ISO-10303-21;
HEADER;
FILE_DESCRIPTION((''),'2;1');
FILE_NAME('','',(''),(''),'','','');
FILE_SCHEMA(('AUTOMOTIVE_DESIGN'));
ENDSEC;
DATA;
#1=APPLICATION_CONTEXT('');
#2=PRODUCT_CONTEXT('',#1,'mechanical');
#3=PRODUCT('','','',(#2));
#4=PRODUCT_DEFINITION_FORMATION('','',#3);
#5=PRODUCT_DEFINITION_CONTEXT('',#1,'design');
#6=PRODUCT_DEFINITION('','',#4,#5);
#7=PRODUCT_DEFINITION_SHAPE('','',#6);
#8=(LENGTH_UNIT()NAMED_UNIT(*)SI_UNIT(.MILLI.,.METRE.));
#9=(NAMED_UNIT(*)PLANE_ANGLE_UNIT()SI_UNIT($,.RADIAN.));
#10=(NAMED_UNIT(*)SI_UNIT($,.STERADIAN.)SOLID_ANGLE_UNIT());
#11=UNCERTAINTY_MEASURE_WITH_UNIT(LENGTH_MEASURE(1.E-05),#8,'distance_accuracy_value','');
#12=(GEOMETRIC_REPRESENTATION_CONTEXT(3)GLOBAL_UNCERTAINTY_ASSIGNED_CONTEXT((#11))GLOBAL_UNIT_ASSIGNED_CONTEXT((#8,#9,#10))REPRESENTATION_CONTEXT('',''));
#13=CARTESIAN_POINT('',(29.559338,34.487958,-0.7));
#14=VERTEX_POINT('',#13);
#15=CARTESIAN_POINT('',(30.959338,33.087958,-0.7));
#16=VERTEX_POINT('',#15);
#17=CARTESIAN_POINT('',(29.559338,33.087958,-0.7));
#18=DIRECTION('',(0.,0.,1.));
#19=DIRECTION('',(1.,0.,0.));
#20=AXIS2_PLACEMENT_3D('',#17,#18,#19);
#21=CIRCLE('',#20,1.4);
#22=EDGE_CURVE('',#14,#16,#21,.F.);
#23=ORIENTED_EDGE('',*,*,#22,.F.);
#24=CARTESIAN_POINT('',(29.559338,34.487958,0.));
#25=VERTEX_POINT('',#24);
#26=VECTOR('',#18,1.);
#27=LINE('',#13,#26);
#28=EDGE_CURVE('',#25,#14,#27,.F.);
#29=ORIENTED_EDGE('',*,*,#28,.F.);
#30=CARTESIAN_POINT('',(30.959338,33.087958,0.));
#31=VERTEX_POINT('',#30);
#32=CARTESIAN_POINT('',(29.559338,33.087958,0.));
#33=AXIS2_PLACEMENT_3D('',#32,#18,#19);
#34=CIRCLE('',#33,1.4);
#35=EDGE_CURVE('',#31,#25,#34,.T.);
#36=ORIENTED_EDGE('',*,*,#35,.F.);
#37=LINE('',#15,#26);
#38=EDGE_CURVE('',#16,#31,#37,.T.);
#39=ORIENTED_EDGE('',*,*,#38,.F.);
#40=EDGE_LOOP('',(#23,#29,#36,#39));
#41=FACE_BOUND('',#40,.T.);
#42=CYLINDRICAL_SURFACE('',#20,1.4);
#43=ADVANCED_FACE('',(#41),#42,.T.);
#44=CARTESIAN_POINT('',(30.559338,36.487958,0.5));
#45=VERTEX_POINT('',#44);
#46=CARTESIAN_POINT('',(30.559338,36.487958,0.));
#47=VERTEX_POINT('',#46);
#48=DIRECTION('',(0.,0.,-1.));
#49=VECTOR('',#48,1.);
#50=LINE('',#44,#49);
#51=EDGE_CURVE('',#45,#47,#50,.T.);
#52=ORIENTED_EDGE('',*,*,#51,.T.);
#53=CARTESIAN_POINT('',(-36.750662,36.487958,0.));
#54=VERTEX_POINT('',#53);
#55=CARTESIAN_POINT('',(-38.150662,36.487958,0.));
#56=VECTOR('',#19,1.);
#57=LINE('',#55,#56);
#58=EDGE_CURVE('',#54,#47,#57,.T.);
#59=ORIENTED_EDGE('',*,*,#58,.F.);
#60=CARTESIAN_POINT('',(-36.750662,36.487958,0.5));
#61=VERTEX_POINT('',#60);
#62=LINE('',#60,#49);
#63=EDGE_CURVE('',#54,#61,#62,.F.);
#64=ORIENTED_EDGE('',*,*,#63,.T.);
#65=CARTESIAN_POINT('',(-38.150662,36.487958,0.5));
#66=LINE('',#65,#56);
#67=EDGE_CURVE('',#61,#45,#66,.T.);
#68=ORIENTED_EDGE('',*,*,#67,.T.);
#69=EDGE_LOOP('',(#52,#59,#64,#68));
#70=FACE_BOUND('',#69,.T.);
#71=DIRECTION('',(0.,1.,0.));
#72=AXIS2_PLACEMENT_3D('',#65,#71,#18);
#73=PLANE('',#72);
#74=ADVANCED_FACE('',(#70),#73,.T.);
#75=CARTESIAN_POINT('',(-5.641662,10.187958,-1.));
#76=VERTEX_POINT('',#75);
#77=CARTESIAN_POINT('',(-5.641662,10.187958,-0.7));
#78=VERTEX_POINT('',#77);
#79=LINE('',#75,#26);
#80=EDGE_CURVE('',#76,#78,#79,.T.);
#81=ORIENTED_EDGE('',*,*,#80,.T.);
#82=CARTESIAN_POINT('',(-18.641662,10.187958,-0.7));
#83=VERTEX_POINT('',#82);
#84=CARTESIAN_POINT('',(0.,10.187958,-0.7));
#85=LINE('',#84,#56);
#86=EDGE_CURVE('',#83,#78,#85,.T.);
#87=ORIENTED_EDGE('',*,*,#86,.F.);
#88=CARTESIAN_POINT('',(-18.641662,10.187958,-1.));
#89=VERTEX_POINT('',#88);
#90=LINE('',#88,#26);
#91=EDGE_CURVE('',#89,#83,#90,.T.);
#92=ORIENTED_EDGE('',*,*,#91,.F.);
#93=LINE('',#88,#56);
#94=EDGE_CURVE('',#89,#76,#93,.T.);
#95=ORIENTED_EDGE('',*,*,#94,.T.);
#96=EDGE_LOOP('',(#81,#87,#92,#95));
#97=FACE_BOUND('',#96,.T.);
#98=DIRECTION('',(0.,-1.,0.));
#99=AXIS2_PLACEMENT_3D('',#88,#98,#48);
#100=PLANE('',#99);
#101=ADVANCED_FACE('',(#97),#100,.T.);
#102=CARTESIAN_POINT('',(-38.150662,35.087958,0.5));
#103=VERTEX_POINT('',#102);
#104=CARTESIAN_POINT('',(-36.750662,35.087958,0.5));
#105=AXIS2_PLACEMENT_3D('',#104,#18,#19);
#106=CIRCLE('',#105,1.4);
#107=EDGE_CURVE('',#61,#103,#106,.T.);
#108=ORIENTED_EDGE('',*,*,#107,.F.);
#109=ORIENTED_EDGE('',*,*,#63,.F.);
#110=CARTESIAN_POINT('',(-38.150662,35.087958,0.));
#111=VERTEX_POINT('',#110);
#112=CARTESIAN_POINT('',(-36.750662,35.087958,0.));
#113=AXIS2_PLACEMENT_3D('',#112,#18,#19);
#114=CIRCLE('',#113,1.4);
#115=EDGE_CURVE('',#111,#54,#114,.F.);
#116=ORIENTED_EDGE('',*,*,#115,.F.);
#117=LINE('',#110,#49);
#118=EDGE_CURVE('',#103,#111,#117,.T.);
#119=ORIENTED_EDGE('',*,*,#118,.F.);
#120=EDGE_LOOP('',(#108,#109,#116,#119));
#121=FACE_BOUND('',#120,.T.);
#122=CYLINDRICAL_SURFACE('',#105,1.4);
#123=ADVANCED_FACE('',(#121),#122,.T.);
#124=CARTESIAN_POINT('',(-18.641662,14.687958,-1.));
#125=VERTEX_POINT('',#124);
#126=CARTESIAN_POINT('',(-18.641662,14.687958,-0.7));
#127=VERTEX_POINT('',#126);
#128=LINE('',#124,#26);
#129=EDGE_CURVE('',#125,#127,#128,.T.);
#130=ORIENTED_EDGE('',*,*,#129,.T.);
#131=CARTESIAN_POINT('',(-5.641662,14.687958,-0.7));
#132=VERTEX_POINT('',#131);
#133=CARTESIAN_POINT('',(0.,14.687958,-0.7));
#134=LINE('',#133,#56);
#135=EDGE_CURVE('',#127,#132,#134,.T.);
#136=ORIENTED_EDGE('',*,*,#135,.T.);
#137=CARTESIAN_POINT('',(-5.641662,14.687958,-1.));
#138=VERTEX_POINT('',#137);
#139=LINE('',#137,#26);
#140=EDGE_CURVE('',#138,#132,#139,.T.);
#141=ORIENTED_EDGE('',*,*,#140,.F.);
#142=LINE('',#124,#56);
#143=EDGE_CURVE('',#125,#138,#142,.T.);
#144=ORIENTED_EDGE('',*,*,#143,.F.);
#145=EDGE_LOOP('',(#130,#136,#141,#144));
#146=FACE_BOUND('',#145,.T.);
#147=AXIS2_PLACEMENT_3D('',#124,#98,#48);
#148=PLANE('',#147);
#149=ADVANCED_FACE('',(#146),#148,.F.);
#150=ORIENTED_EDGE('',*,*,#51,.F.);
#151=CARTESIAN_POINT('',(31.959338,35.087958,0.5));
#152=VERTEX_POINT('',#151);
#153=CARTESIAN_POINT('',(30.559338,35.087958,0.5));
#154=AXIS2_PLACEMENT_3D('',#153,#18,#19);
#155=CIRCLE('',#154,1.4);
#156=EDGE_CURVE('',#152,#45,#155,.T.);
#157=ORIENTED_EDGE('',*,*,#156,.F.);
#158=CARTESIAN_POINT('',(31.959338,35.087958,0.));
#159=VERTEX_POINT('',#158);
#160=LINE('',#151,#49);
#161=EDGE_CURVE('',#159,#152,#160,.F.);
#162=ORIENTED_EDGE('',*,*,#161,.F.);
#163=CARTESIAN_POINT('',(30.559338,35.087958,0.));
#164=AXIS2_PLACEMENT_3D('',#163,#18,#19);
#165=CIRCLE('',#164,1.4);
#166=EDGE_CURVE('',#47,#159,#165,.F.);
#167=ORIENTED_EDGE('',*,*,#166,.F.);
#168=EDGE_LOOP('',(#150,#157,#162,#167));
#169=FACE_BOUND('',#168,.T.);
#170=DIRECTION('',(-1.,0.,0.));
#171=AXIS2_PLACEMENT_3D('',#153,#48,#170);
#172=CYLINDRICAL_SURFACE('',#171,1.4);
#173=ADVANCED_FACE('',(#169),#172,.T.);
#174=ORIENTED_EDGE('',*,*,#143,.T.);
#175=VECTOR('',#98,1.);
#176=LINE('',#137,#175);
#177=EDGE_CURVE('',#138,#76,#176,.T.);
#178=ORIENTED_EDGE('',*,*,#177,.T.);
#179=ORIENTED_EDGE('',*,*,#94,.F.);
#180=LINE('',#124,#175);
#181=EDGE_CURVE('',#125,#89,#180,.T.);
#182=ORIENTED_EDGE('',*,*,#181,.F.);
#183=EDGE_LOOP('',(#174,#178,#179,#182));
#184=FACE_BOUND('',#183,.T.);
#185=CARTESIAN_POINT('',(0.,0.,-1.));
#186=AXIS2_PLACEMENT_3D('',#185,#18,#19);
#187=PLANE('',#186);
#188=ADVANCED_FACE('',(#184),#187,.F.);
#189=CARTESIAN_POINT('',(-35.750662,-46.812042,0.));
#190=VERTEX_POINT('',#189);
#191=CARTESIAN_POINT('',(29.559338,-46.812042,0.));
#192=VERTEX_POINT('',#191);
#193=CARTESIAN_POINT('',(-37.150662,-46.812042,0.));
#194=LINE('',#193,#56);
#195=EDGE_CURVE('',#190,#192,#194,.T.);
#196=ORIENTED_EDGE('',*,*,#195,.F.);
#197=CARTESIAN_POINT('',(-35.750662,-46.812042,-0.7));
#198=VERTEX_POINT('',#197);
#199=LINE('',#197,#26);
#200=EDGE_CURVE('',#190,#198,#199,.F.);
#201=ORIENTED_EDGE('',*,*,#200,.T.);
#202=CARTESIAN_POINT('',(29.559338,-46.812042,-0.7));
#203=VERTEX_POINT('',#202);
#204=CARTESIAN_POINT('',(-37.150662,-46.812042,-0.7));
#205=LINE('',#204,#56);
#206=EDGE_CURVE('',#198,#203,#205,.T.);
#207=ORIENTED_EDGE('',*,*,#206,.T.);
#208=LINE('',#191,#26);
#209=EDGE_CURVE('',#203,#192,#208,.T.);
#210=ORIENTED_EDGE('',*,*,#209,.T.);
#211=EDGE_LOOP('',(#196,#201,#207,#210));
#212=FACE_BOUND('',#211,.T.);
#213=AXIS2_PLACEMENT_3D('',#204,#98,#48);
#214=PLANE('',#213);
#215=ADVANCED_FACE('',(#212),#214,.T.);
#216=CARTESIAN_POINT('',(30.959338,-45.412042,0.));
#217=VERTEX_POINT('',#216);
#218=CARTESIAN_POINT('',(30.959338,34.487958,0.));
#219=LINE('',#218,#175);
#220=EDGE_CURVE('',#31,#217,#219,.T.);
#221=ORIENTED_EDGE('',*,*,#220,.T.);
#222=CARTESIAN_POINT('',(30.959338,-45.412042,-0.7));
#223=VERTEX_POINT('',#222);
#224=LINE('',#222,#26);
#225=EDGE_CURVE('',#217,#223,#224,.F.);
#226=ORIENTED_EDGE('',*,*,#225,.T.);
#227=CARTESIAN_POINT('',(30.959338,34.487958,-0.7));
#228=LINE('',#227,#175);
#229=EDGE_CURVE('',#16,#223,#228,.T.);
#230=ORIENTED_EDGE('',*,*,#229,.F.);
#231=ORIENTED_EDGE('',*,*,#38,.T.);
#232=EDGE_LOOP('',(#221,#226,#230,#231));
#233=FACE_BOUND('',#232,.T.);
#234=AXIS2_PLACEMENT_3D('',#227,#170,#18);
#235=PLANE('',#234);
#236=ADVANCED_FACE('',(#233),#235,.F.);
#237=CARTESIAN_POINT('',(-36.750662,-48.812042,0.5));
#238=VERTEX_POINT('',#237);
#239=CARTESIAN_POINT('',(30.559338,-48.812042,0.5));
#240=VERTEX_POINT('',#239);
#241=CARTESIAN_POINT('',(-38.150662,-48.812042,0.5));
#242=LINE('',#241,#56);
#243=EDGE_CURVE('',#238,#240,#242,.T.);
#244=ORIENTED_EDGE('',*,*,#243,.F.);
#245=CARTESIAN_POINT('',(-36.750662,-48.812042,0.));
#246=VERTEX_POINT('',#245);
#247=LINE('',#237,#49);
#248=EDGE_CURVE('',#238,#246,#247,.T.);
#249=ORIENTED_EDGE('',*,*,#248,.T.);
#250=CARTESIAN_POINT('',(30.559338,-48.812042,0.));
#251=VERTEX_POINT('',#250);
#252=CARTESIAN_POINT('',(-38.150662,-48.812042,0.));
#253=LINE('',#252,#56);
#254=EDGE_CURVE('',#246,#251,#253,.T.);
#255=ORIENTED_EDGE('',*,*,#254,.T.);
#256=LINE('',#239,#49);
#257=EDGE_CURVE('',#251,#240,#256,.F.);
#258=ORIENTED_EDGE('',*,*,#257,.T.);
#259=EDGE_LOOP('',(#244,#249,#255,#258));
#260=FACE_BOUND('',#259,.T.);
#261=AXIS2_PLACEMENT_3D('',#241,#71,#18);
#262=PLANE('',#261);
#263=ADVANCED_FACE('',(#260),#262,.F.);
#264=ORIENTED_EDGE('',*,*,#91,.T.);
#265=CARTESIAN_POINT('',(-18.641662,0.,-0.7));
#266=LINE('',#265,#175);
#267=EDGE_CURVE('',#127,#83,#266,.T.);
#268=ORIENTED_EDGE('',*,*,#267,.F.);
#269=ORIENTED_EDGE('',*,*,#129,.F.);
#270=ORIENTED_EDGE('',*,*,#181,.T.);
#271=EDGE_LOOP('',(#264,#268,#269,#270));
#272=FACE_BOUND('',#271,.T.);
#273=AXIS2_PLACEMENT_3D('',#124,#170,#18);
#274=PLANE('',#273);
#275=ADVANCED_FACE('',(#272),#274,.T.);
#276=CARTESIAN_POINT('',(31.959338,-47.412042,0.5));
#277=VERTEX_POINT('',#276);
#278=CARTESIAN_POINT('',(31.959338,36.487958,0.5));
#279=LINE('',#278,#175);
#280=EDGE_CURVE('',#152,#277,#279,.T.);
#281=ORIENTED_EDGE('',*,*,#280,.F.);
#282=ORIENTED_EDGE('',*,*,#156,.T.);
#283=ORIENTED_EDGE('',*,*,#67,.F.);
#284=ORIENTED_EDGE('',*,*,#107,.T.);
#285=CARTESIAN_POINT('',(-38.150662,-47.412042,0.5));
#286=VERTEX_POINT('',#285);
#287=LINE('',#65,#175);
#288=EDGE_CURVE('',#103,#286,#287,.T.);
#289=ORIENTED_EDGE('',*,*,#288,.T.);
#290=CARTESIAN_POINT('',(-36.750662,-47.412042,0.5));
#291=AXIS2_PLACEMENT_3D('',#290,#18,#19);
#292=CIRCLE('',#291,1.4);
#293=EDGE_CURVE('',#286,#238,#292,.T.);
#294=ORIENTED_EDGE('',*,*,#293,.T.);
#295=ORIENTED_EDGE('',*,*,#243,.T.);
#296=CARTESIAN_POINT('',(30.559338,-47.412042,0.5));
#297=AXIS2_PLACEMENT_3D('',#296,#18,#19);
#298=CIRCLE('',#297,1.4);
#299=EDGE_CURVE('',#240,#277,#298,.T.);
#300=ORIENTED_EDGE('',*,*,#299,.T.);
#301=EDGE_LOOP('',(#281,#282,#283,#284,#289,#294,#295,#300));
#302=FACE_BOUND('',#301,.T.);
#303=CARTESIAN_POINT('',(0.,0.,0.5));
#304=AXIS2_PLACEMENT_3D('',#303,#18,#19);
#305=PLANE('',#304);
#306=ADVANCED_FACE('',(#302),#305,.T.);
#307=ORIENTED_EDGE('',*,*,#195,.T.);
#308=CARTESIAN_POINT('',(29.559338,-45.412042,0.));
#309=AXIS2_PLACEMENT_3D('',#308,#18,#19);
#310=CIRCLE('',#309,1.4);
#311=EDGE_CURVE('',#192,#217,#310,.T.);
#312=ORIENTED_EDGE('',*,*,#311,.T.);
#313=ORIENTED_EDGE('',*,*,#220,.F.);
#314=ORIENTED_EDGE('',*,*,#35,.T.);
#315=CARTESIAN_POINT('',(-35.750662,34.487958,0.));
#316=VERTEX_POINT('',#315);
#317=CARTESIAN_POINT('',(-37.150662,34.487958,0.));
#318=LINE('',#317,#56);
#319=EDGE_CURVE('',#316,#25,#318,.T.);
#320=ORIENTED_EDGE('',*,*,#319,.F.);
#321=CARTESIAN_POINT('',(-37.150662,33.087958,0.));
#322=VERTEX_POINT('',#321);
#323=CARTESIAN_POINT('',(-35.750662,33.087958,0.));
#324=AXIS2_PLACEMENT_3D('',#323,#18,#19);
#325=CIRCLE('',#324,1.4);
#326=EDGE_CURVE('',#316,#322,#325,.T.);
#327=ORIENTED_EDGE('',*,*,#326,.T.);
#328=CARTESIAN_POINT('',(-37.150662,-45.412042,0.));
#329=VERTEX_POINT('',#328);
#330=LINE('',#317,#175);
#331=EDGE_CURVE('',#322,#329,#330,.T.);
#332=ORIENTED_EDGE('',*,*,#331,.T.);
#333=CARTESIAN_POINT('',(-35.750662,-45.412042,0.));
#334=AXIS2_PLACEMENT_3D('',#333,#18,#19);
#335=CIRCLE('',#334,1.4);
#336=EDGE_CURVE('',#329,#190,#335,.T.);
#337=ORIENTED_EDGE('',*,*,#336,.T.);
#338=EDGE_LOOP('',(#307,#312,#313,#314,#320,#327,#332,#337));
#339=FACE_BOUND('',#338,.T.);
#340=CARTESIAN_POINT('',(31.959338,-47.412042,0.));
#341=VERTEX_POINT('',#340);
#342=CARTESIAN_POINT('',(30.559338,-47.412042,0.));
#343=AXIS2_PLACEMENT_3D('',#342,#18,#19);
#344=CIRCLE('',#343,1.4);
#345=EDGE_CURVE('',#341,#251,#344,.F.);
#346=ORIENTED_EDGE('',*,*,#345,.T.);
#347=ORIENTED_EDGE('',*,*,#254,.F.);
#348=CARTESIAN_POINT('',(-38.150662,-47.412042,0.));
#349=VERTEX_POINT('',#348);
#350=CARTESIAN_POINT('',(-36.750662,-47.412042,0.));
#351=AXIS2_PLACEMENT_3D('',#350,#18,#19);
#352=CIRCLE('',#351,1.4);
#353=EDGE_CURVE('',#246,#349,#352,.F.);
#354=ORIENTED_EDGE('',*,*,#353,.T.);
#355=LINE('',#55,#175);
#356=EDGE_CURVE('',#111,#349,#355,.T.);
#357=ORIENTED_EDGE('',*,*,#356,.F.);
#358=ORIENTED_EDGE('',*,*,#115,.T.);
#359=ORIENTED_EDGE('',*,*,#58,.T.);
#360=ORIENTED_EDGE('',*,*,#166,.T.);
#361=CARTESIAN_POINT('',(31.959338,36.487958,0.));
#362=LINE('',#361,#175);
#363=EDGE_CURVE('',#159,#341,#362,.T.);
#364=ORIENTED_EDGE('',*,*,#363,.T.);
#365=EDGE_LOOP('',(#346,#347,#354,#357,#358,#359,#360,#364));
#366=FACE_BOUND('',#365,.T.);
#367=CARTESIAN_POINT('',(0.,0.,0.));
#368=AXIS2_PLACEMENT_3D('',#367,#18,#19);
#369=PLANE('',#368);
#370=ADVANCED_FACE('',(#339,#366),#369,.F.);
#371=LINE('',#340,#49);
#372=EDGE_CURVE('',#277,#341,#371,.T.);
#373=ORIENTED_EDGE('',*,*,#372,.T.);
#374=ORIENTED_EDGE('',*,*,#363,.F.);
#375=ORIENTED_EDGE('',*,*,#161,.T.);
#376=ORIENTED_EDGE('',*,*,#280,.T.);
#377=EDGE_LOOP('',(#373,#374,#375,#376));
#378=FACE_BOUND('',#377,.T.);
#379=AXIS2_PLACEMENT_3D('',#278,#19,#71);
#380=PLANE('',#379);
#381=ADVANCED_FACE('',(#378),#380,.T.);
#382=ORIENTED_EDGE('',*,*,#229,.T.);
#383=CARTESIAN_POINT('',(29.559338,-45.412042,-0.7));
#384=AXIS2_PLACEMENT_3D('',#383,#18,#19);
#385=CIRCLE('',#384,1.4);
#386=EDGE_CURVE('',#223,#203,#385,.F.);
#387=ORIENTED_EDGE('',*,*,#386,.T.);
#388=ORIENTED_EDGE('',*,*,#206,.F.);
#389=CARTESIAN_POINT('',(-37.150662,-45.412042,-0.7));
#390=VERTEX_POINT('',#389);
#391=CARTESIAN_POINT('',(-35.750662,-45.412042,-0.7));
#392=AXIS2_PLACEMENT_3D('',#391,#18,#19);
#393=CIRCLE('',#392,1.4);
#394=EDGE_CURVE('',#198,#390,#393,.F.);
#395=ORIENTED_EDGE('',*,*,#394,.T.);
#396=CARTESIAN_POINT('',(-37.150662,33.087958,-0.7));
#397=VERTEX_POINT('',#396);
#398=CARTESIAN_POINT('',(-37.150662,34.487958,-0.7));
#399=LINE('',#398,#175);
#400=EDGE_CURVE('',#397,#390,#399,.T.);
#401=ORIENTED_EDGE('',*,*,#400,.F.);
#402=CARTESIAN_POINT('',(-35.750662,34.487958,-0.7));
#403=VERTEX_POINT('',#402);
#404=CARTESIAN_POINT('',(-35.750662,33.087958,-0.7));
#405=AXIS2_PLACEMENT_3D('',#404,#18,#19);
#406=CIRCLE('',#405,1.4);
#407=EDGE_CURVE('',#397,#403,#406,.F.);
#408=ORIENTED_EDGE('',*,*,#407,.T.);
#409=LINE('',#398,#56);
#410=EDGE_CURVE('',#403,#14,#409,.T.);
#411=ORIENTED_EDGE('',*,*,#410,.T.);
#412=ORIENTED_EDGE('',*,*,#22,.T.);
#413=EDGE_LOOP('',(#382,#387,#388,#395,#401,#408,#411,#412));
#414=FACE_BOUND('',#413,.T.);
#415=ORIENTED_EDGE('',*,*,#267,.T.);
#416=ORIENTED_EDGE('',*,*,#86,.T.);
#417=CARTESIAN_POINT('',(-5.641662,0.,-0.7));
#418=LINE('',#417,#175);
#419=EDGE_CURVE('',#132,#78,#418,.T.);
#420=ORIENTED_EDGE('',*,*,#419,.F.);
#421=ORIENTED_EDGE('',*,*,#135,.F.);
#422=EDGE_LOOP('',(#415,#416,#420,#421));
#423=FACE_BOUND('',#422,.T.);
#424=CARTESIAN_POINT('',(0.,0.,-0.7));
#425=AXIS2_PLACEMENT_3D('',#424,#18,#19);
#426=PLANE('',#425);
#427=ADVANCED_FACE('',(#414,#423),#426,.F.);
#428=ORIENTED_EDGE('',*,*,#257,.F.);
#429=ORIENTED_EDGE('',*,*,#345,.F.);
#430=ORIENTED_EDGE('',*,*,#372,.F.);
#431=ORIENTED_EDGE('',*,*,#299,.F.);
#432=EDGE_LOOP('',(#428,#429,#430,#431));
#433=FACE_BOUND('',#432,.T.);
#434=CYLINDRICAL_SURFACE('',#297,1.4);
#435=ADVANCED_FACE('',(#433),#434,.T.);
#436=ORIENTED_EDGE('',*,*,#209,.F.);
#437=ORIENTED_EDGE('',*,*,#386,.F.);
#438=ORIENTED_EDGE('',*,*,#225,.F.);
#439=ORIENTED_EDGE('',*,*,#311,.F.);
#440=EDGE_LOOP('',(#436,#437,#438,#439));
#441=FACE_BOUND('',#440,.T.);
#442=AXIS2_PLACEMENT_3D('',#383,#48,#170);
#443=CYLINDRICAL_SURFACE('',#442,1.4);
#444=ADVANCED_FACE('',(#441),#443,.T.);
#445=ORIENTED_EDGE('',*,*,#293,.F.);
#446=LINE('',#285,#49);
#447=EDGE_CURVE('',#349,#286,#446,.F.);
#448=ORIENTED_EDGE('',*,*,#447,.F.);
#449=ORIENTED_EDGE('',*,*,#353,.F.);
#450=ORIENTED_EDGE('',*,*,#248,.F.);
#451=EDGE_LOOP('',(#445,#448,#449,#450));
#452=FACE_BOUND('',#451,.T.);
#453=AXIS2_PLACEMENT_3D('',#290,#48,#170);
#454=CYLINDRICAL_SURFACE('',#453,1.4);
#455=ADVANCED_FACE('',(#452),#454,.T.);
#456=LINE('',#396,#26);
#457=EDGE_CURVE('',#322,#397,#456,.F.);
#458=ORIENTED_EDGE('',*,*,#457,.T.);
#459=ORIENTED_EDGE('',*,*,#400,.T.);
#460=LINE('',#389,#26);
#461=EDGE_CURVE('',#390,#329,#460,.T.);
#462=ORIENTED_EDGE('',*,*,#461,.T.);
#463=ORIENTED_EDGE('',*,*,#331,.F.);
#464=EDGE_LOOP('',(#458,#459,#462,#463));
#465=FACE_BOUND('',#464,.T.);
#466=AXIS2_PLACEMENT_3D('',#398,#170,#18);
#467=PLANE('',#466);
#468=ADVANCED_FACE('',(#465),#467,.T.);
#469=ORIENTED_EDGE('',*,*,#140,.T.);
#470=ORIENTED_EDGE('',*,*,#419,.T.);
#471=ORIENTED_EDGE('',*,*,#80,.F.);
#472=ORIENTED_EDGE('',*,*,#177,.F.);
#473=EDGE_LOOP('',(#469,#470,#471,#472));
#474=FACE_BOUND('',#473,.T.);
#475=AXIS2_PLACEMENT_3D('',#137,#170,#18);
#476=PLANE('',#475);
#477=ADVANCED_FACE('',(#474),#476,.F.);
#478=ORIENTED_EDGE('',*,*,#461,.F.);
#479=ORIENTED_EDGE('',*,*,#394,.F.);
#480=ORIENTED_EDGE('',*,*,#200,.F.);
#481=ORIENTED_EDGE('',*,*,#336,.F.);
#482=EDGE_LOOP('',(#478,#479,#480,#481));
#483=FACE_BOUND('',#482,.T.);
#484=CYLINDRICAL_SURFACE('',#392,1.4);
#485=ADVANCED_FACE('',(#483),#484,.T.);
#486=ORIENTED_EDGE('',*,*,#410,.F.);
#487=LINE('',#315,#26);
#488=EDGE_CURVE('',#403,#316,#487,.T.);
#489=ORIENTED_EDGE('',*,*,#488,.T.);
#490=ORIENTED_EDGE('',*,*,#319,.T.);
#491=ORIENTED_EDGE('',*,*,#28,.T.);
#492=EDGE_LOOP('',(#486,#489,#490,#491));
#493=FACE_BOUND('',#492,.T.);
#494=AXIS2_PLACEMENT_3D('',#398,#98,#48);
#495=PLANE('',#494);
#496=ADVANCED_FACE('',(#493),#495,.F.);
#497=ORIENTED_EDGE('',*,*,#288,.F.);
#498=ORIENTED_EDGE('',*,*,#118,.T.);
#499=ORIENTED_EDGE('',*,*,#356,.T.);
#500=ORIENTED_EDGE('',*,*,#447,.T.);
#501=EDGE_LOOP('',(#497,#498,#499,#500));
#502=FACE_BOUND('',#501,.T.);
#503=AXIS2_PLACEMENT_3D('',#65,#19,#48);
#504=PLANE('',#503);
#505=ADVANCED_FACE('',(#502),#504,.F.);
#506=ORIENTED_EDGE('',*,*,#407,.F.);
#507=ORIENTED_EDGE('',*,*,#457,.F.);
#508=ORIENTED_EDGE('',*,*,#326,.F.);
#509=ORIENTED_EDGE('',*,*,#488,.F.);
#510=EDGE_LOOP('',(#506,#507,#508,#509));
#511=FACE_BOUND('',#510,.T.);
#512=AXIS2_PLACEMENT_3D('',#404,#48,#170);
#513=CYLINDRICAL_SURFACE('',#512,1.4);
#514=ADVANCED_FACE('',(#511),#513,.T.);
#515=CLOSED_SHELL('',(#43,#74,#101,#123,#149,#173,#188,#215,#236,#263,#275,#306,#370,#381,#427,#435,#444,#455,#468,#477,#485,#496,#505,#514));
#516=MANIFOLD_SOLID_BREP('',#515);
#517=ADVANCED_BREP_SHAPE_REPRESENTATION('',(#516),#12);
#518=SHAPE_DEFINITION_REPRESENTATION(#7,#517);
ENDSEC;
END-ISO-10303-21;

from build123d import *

# Parameters (mm, degrees)
SKETCH_1_W      = 70.11
SKETCH_1_H      = 85.3
EXTRUDE_1_DEPTH = 0.5
SKETCH_1_3_W    = 68.11
SKETCH_1_3_H    = 81.3
EXTRUDE_2_DEPTH = 0.7
FILLET_1_R      = 1.4
FILLET_2_R      = 1.4
SKETCH_1_4_W    = 13
SKETCH_1_4_H    = 4.5
EXTRUDE_3_DEPTH = 1


with BuildPart() as part:
    # 草图1 → 凸台-拉伸1 (new body)
    with BuildSketch(Plane.XY):
        with Locations((-3.095661812, -6.162041577)):
            Rectangle(SKETCH_1_W, SKETCH_1_H)
    extrude(amount=EXTRUDE_1_DEPTH)

    # 草图1<3> → 凸台-拉伸2 (add)
    with BuildSketch(Plane.XY):
        with Locations((-3.095661812, -6.162041577)):
            Rectangle(SKETCH_1_3_W, SKETCH_1_3_H)
    extrude(amount=-EXTRUDE_2_DEPTH)

    # 圆角1
    fillet_1_edges = [part.edges().sort_by_distance(p)[0] for p in [
        (-37.150661812, -46.812041577, -0.35),
        (-37.150661812, 34.487958423, -0.35),
        (30.959338188, 34.487958423, -0.35),
        (30.959338188, -46.812041577, -0.35),
    ]]
    fillet(fillet_1_edges, radius=FILLET_1_R)

    # 圆角2
    fillet_2_edges = [part.edges().sort_by_distance(p)[0] for p in [
        (-38.150661812, 36.487958423, 0.25),
        (31.959338188, 36.487958423, 0.25),
        (31.959338188, -48.812041577, 0.25),
        (-38.150661812, -48.812041577, 0.25),
    ]]
    fillet(fillet_2_edges, radius=FILLET_2_R)

    # 草图1<4> → 凸台-拉伸3 (add)
    with BuildSketch(Plane.XY):
        with Locations((-12.141661812, 12.437958423)):
            Rectangle(SKETCH_1_4_W, SKETCH_1_4_H)
    extrude(amount=-EXTRUDE_3_DEPTH)


solid = part.part
